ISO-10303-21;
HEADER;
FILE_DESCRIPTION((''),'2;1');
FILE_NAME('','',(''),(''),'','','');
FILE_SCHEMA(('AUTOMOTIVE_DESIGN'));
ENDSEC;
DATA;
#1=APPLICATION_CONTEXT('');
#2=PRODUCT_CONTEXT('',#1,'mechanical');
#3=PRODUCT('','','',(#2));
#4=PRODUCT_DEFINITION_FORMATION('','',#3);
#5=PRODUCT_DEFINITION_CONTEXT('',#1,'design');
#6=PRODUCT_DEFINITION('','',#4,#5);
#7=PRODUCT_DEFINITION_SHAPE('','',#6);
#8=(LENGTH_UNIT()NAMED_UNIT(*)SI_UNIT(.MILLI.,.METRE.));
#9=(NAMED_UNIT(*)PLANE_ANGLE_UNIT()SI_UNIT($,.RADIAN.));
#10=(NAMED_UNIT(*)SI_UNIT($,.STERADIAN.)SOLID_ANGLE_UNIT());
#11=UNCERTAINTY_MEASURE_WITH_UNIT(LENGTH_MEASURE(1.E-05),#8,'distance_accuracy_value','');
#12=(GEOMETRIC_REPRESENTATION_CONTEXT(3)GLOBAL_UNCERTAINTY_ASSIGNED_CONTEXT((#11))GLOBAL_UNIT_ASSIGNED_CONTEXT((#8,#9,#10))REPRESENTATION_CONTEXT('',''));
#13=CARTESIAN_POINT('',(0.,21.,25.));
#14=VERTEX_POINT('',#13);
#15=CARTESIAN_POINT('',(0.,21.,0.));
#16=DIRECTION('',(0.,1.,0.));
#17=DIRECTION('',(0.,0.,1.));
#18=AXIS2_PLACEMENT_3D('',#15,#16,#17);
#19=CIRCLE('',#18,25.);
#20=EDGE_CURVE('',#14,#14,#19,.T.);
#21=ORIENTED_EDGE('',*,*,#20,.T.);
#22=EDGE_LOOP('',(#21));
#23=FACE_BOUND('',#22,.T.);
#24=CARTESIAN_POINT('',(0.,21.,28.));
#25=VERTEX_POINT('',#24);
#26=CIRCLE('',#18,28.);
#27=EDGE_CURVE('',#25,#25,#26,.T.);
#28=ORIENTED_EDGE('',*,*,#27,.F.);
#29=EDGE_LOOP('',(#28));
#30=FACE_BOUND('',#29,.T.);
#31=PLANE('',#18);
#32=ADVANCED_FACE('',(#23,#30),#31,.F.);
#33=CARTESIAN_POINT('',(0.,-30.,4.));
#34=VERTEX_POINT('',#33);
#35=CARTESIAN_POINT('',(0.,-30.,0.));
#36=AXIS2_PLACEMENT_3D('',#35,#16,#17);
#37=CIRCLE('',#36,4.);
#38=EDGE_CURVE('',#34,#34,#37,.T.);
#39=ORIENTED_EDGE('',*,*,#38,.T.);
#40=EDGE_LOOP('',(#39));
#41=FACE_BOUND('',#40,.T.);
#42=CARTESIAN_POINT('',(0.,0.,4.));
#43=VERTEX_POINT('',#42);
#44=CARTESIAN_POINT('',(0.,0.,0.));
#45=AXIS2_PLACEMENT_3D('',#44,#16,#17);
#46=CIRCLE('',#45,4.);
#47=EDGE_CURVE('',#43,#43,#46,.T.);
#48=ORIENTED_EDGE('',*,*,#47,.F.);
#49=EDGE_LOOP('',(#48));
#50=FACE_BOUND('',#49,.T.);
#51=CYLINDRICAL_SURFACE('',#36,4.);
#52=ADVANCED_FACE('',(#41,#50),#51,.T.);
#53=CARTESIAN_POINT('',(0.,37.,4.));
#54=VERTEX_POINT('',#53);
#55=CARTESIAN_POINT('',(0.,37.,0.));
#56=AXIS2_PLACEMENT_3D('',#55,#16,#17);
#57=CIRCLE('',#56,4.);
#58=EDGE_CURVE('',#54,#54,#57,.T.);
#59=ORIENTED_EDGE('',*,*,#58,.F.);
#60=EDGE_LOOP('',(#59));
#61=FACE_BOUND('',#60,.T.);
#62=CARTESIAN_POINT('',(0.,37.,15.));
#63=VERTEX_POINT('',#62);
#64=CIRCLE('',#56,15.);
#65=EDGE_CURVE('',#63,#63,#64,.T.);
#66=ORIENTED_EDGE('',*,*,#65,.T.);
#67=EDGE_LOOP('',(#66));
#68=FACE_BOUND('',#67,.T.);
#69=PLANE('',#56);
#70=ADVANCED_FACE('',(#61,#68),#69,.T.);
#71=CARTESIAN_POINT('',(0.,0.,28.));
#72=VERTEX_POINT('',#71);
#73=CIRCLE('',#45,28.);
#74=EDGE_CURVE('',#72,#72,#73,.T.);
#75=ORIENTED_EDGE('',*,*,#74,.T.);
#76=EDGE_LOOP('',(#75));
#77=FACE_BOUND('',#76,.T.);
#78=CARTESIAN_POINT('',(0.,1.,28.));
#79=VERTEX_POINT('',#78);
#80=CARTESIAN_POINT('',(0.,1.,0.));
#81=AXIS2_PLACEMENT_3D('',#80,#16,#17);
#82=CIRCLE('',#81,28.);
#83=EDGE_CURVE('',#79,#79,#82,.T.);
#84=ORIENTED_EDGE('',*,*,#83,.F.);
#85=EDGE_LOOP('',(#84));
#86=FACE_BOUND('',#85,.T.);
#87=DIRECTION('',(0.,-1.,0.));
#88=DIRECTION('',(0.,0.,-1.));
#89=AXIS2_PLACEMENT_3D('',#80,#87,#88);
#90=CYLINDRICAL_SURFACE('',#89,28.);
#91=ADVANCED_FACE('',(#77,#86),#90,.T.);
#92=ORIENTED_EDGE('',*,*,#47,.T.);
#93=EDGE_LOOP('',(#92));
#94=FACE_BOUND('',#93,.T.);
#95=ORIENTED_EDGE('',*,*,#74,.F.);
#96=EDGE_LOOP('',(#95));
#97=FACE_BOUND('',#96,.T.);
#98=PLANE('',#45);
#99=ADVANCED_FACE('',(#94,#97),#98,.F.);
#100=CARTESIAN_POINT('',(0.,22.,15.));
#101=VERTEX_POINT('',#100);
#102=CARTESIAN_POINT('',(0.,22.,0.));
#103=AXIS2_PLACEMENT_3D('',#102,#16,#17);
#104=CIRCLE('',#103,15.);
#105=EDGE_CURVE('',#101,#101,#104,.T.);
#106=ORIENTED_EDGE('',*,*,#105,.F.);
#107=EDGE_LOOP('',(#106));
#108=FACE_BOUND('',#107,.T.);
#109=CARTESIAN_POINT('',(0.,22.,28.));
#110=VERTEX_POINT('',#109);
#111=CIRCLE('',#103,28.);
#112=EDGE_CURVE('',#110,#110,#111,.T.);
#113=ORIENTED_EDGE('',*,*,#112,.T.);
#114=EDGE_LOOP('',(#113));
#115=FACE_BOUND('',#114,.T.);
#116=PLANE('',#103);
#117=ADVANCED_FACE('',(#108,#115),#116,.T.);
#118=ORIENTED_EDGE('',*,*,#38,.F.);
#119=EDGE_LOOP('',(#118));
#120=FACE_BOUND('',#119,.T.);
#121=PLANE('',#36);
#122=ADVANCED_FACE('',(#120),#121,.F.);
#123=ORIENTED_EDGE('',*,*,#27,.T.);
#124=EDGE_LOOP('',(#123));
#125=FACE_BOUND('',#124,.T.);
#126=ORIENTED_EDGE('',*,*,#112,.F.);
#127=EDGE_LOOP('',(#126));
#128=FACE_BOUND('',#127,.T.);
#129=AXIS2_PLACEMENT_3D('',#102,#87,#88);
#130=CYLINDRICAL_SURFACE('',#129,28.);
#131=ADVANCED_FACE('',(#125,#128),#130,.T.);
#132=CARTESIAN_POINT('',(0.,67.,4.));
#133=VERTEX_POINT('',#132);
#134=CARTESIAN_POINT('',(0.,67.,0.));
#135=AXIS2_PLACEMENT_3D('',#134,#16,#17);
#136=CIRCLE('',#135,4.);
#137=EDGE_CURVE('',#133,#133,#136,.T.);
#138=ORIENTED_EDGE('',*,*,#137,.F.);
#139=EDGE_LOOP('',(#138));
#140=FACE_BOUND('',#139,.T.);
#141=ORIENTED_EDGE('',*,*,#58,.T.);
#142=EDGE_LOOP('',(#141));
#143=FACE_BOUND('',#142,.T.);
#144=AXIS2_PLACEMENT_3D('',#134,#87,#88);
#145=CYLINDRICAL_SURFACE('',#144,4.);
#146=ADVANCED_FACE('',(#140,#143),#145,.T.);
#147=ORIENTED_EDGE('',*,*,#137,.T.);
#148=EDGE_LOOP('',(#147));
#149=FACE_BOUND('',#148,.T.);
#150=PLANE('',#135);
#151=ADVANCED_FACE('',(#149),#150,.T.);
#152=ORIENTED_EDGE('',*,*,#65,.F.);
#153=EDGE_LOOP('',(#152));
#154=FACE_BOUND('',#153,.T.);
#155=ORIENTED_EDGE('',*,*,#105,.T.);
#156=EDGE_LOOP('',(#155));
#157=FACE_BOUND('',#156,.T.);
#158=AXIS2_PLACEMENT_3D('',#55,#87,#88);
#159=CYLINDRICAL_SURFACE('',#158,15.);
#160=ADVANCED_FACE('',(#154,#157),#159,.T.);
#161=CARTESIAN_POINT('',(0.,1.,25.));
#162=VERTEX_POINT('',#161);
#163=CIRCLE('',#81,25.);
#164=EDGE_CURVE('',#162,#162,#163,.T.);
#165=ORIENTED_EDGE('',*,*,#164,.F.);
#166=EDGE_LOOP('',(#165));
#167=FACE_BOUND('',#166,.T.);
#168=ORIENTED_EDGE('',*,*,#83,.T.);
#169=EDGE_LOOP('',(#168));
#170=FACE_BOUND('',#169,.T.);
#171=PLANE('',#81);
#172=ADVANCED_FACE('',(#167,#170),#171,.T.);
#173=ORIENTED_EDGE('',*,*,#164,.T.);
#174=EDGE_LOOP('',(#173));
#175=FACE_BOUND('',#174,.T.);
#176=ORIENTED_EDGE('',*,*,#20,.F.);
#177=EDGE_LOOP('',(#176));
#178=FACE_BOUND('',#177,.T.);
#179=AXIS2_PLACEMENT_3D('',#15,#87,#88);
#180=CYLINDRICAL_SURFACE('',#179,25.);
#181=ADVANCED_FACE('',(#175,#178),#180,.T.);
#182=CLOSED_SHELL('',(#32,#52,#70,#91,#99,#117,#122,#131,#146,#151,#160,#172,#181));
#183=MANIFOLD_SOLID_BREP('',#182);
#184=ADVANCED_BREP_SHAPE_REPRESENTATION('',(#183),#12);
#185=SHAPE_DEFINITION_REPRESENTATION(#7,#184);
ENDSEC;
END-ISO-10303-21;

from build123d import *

# Parameters (mm, degrees)
SKETCH1_R           = 25
BOSS_EXTRUDE1_DEPTH = 21
SKETCH2_R           = 28
BOSS_EXTRUDE2_DEPTH = 1
SKETCH3_R           = 28
BOSS_EXTRUDE3_DEPTH = 1
SKETCH4_R           = 15
BOSS_EXTRUDE4_DEPTH = 15
SKETCH5_R           = 4
BOSS_EXTRUDE5_DEPTH = 30
SKETCH6_R           = 4
BOSS_EXTRUDE6_DEPTH = 30


with BuildPart() as part:
    # Sketch1 → Boss-Extrude1 (new body)
    with BuildSketch(Plane(origin=(0, 0, 0), x_dir=(1, 0, 0), z_dir=(0, 1, 0))):
        Circle(SKETCH1_R)
    extrude(amount=BOSS_EXTRUDE1_DEPTH)

    # Sketch2 → Boss-Extrude2 (add)
    with BuildSketch(Plane(origin=(0, 0, 0), x_dir=(1, 0, 0), z_dir=(0, 1, 0))):
        Circle(SKETCH2_R)
    extrude(amount=BOSS_EXTRUDE2_DEPTH)

    # Sketch3 → Boss-Extrude3 (add)
    with BuildSketch(Plane(origin=(0, 21, 0), x_dir=(1, 0, 0), z_dir=(0, 1, 0))):
        Circle(SKETCH3_R)
    extrude(amount=BOSS_EXTRUDE3_DEPTH)

    # Sketch4 → Boss-Extrude4 (add)
    with BuildSketch(Plane(origin=(0, 22, 0), x_dir=(1, 0, 0), z_dir=(0, 1, 0))):
        Circle(SKETCH4_R)
    extrude(amount=BOSS_EXTRUDE4_DEPTH)

    # Sketch5 → Boss-Extrude5 (add)
    with BuildSketch(Plane(origin=(0, 37, 0), x_dir=(1, 0, 0), z_dir=(0, 1, 0))):
        Circle(SKETCH5_R)
    extrude(amount=BOSS_EXTRUDE5_DEPTH)

    # Sketch6 → Boss-Extrude6 (add)
    with BuildSketch(Plane(origin=(0, 0, 0), x_dir=(1, 0, 0), z_dir=(0, 1, 0))):
        Circle(SKETCH6_R)
    extrude(amount=-BOSS_EXTRUDE6_DEPTH)


solid = part.part
